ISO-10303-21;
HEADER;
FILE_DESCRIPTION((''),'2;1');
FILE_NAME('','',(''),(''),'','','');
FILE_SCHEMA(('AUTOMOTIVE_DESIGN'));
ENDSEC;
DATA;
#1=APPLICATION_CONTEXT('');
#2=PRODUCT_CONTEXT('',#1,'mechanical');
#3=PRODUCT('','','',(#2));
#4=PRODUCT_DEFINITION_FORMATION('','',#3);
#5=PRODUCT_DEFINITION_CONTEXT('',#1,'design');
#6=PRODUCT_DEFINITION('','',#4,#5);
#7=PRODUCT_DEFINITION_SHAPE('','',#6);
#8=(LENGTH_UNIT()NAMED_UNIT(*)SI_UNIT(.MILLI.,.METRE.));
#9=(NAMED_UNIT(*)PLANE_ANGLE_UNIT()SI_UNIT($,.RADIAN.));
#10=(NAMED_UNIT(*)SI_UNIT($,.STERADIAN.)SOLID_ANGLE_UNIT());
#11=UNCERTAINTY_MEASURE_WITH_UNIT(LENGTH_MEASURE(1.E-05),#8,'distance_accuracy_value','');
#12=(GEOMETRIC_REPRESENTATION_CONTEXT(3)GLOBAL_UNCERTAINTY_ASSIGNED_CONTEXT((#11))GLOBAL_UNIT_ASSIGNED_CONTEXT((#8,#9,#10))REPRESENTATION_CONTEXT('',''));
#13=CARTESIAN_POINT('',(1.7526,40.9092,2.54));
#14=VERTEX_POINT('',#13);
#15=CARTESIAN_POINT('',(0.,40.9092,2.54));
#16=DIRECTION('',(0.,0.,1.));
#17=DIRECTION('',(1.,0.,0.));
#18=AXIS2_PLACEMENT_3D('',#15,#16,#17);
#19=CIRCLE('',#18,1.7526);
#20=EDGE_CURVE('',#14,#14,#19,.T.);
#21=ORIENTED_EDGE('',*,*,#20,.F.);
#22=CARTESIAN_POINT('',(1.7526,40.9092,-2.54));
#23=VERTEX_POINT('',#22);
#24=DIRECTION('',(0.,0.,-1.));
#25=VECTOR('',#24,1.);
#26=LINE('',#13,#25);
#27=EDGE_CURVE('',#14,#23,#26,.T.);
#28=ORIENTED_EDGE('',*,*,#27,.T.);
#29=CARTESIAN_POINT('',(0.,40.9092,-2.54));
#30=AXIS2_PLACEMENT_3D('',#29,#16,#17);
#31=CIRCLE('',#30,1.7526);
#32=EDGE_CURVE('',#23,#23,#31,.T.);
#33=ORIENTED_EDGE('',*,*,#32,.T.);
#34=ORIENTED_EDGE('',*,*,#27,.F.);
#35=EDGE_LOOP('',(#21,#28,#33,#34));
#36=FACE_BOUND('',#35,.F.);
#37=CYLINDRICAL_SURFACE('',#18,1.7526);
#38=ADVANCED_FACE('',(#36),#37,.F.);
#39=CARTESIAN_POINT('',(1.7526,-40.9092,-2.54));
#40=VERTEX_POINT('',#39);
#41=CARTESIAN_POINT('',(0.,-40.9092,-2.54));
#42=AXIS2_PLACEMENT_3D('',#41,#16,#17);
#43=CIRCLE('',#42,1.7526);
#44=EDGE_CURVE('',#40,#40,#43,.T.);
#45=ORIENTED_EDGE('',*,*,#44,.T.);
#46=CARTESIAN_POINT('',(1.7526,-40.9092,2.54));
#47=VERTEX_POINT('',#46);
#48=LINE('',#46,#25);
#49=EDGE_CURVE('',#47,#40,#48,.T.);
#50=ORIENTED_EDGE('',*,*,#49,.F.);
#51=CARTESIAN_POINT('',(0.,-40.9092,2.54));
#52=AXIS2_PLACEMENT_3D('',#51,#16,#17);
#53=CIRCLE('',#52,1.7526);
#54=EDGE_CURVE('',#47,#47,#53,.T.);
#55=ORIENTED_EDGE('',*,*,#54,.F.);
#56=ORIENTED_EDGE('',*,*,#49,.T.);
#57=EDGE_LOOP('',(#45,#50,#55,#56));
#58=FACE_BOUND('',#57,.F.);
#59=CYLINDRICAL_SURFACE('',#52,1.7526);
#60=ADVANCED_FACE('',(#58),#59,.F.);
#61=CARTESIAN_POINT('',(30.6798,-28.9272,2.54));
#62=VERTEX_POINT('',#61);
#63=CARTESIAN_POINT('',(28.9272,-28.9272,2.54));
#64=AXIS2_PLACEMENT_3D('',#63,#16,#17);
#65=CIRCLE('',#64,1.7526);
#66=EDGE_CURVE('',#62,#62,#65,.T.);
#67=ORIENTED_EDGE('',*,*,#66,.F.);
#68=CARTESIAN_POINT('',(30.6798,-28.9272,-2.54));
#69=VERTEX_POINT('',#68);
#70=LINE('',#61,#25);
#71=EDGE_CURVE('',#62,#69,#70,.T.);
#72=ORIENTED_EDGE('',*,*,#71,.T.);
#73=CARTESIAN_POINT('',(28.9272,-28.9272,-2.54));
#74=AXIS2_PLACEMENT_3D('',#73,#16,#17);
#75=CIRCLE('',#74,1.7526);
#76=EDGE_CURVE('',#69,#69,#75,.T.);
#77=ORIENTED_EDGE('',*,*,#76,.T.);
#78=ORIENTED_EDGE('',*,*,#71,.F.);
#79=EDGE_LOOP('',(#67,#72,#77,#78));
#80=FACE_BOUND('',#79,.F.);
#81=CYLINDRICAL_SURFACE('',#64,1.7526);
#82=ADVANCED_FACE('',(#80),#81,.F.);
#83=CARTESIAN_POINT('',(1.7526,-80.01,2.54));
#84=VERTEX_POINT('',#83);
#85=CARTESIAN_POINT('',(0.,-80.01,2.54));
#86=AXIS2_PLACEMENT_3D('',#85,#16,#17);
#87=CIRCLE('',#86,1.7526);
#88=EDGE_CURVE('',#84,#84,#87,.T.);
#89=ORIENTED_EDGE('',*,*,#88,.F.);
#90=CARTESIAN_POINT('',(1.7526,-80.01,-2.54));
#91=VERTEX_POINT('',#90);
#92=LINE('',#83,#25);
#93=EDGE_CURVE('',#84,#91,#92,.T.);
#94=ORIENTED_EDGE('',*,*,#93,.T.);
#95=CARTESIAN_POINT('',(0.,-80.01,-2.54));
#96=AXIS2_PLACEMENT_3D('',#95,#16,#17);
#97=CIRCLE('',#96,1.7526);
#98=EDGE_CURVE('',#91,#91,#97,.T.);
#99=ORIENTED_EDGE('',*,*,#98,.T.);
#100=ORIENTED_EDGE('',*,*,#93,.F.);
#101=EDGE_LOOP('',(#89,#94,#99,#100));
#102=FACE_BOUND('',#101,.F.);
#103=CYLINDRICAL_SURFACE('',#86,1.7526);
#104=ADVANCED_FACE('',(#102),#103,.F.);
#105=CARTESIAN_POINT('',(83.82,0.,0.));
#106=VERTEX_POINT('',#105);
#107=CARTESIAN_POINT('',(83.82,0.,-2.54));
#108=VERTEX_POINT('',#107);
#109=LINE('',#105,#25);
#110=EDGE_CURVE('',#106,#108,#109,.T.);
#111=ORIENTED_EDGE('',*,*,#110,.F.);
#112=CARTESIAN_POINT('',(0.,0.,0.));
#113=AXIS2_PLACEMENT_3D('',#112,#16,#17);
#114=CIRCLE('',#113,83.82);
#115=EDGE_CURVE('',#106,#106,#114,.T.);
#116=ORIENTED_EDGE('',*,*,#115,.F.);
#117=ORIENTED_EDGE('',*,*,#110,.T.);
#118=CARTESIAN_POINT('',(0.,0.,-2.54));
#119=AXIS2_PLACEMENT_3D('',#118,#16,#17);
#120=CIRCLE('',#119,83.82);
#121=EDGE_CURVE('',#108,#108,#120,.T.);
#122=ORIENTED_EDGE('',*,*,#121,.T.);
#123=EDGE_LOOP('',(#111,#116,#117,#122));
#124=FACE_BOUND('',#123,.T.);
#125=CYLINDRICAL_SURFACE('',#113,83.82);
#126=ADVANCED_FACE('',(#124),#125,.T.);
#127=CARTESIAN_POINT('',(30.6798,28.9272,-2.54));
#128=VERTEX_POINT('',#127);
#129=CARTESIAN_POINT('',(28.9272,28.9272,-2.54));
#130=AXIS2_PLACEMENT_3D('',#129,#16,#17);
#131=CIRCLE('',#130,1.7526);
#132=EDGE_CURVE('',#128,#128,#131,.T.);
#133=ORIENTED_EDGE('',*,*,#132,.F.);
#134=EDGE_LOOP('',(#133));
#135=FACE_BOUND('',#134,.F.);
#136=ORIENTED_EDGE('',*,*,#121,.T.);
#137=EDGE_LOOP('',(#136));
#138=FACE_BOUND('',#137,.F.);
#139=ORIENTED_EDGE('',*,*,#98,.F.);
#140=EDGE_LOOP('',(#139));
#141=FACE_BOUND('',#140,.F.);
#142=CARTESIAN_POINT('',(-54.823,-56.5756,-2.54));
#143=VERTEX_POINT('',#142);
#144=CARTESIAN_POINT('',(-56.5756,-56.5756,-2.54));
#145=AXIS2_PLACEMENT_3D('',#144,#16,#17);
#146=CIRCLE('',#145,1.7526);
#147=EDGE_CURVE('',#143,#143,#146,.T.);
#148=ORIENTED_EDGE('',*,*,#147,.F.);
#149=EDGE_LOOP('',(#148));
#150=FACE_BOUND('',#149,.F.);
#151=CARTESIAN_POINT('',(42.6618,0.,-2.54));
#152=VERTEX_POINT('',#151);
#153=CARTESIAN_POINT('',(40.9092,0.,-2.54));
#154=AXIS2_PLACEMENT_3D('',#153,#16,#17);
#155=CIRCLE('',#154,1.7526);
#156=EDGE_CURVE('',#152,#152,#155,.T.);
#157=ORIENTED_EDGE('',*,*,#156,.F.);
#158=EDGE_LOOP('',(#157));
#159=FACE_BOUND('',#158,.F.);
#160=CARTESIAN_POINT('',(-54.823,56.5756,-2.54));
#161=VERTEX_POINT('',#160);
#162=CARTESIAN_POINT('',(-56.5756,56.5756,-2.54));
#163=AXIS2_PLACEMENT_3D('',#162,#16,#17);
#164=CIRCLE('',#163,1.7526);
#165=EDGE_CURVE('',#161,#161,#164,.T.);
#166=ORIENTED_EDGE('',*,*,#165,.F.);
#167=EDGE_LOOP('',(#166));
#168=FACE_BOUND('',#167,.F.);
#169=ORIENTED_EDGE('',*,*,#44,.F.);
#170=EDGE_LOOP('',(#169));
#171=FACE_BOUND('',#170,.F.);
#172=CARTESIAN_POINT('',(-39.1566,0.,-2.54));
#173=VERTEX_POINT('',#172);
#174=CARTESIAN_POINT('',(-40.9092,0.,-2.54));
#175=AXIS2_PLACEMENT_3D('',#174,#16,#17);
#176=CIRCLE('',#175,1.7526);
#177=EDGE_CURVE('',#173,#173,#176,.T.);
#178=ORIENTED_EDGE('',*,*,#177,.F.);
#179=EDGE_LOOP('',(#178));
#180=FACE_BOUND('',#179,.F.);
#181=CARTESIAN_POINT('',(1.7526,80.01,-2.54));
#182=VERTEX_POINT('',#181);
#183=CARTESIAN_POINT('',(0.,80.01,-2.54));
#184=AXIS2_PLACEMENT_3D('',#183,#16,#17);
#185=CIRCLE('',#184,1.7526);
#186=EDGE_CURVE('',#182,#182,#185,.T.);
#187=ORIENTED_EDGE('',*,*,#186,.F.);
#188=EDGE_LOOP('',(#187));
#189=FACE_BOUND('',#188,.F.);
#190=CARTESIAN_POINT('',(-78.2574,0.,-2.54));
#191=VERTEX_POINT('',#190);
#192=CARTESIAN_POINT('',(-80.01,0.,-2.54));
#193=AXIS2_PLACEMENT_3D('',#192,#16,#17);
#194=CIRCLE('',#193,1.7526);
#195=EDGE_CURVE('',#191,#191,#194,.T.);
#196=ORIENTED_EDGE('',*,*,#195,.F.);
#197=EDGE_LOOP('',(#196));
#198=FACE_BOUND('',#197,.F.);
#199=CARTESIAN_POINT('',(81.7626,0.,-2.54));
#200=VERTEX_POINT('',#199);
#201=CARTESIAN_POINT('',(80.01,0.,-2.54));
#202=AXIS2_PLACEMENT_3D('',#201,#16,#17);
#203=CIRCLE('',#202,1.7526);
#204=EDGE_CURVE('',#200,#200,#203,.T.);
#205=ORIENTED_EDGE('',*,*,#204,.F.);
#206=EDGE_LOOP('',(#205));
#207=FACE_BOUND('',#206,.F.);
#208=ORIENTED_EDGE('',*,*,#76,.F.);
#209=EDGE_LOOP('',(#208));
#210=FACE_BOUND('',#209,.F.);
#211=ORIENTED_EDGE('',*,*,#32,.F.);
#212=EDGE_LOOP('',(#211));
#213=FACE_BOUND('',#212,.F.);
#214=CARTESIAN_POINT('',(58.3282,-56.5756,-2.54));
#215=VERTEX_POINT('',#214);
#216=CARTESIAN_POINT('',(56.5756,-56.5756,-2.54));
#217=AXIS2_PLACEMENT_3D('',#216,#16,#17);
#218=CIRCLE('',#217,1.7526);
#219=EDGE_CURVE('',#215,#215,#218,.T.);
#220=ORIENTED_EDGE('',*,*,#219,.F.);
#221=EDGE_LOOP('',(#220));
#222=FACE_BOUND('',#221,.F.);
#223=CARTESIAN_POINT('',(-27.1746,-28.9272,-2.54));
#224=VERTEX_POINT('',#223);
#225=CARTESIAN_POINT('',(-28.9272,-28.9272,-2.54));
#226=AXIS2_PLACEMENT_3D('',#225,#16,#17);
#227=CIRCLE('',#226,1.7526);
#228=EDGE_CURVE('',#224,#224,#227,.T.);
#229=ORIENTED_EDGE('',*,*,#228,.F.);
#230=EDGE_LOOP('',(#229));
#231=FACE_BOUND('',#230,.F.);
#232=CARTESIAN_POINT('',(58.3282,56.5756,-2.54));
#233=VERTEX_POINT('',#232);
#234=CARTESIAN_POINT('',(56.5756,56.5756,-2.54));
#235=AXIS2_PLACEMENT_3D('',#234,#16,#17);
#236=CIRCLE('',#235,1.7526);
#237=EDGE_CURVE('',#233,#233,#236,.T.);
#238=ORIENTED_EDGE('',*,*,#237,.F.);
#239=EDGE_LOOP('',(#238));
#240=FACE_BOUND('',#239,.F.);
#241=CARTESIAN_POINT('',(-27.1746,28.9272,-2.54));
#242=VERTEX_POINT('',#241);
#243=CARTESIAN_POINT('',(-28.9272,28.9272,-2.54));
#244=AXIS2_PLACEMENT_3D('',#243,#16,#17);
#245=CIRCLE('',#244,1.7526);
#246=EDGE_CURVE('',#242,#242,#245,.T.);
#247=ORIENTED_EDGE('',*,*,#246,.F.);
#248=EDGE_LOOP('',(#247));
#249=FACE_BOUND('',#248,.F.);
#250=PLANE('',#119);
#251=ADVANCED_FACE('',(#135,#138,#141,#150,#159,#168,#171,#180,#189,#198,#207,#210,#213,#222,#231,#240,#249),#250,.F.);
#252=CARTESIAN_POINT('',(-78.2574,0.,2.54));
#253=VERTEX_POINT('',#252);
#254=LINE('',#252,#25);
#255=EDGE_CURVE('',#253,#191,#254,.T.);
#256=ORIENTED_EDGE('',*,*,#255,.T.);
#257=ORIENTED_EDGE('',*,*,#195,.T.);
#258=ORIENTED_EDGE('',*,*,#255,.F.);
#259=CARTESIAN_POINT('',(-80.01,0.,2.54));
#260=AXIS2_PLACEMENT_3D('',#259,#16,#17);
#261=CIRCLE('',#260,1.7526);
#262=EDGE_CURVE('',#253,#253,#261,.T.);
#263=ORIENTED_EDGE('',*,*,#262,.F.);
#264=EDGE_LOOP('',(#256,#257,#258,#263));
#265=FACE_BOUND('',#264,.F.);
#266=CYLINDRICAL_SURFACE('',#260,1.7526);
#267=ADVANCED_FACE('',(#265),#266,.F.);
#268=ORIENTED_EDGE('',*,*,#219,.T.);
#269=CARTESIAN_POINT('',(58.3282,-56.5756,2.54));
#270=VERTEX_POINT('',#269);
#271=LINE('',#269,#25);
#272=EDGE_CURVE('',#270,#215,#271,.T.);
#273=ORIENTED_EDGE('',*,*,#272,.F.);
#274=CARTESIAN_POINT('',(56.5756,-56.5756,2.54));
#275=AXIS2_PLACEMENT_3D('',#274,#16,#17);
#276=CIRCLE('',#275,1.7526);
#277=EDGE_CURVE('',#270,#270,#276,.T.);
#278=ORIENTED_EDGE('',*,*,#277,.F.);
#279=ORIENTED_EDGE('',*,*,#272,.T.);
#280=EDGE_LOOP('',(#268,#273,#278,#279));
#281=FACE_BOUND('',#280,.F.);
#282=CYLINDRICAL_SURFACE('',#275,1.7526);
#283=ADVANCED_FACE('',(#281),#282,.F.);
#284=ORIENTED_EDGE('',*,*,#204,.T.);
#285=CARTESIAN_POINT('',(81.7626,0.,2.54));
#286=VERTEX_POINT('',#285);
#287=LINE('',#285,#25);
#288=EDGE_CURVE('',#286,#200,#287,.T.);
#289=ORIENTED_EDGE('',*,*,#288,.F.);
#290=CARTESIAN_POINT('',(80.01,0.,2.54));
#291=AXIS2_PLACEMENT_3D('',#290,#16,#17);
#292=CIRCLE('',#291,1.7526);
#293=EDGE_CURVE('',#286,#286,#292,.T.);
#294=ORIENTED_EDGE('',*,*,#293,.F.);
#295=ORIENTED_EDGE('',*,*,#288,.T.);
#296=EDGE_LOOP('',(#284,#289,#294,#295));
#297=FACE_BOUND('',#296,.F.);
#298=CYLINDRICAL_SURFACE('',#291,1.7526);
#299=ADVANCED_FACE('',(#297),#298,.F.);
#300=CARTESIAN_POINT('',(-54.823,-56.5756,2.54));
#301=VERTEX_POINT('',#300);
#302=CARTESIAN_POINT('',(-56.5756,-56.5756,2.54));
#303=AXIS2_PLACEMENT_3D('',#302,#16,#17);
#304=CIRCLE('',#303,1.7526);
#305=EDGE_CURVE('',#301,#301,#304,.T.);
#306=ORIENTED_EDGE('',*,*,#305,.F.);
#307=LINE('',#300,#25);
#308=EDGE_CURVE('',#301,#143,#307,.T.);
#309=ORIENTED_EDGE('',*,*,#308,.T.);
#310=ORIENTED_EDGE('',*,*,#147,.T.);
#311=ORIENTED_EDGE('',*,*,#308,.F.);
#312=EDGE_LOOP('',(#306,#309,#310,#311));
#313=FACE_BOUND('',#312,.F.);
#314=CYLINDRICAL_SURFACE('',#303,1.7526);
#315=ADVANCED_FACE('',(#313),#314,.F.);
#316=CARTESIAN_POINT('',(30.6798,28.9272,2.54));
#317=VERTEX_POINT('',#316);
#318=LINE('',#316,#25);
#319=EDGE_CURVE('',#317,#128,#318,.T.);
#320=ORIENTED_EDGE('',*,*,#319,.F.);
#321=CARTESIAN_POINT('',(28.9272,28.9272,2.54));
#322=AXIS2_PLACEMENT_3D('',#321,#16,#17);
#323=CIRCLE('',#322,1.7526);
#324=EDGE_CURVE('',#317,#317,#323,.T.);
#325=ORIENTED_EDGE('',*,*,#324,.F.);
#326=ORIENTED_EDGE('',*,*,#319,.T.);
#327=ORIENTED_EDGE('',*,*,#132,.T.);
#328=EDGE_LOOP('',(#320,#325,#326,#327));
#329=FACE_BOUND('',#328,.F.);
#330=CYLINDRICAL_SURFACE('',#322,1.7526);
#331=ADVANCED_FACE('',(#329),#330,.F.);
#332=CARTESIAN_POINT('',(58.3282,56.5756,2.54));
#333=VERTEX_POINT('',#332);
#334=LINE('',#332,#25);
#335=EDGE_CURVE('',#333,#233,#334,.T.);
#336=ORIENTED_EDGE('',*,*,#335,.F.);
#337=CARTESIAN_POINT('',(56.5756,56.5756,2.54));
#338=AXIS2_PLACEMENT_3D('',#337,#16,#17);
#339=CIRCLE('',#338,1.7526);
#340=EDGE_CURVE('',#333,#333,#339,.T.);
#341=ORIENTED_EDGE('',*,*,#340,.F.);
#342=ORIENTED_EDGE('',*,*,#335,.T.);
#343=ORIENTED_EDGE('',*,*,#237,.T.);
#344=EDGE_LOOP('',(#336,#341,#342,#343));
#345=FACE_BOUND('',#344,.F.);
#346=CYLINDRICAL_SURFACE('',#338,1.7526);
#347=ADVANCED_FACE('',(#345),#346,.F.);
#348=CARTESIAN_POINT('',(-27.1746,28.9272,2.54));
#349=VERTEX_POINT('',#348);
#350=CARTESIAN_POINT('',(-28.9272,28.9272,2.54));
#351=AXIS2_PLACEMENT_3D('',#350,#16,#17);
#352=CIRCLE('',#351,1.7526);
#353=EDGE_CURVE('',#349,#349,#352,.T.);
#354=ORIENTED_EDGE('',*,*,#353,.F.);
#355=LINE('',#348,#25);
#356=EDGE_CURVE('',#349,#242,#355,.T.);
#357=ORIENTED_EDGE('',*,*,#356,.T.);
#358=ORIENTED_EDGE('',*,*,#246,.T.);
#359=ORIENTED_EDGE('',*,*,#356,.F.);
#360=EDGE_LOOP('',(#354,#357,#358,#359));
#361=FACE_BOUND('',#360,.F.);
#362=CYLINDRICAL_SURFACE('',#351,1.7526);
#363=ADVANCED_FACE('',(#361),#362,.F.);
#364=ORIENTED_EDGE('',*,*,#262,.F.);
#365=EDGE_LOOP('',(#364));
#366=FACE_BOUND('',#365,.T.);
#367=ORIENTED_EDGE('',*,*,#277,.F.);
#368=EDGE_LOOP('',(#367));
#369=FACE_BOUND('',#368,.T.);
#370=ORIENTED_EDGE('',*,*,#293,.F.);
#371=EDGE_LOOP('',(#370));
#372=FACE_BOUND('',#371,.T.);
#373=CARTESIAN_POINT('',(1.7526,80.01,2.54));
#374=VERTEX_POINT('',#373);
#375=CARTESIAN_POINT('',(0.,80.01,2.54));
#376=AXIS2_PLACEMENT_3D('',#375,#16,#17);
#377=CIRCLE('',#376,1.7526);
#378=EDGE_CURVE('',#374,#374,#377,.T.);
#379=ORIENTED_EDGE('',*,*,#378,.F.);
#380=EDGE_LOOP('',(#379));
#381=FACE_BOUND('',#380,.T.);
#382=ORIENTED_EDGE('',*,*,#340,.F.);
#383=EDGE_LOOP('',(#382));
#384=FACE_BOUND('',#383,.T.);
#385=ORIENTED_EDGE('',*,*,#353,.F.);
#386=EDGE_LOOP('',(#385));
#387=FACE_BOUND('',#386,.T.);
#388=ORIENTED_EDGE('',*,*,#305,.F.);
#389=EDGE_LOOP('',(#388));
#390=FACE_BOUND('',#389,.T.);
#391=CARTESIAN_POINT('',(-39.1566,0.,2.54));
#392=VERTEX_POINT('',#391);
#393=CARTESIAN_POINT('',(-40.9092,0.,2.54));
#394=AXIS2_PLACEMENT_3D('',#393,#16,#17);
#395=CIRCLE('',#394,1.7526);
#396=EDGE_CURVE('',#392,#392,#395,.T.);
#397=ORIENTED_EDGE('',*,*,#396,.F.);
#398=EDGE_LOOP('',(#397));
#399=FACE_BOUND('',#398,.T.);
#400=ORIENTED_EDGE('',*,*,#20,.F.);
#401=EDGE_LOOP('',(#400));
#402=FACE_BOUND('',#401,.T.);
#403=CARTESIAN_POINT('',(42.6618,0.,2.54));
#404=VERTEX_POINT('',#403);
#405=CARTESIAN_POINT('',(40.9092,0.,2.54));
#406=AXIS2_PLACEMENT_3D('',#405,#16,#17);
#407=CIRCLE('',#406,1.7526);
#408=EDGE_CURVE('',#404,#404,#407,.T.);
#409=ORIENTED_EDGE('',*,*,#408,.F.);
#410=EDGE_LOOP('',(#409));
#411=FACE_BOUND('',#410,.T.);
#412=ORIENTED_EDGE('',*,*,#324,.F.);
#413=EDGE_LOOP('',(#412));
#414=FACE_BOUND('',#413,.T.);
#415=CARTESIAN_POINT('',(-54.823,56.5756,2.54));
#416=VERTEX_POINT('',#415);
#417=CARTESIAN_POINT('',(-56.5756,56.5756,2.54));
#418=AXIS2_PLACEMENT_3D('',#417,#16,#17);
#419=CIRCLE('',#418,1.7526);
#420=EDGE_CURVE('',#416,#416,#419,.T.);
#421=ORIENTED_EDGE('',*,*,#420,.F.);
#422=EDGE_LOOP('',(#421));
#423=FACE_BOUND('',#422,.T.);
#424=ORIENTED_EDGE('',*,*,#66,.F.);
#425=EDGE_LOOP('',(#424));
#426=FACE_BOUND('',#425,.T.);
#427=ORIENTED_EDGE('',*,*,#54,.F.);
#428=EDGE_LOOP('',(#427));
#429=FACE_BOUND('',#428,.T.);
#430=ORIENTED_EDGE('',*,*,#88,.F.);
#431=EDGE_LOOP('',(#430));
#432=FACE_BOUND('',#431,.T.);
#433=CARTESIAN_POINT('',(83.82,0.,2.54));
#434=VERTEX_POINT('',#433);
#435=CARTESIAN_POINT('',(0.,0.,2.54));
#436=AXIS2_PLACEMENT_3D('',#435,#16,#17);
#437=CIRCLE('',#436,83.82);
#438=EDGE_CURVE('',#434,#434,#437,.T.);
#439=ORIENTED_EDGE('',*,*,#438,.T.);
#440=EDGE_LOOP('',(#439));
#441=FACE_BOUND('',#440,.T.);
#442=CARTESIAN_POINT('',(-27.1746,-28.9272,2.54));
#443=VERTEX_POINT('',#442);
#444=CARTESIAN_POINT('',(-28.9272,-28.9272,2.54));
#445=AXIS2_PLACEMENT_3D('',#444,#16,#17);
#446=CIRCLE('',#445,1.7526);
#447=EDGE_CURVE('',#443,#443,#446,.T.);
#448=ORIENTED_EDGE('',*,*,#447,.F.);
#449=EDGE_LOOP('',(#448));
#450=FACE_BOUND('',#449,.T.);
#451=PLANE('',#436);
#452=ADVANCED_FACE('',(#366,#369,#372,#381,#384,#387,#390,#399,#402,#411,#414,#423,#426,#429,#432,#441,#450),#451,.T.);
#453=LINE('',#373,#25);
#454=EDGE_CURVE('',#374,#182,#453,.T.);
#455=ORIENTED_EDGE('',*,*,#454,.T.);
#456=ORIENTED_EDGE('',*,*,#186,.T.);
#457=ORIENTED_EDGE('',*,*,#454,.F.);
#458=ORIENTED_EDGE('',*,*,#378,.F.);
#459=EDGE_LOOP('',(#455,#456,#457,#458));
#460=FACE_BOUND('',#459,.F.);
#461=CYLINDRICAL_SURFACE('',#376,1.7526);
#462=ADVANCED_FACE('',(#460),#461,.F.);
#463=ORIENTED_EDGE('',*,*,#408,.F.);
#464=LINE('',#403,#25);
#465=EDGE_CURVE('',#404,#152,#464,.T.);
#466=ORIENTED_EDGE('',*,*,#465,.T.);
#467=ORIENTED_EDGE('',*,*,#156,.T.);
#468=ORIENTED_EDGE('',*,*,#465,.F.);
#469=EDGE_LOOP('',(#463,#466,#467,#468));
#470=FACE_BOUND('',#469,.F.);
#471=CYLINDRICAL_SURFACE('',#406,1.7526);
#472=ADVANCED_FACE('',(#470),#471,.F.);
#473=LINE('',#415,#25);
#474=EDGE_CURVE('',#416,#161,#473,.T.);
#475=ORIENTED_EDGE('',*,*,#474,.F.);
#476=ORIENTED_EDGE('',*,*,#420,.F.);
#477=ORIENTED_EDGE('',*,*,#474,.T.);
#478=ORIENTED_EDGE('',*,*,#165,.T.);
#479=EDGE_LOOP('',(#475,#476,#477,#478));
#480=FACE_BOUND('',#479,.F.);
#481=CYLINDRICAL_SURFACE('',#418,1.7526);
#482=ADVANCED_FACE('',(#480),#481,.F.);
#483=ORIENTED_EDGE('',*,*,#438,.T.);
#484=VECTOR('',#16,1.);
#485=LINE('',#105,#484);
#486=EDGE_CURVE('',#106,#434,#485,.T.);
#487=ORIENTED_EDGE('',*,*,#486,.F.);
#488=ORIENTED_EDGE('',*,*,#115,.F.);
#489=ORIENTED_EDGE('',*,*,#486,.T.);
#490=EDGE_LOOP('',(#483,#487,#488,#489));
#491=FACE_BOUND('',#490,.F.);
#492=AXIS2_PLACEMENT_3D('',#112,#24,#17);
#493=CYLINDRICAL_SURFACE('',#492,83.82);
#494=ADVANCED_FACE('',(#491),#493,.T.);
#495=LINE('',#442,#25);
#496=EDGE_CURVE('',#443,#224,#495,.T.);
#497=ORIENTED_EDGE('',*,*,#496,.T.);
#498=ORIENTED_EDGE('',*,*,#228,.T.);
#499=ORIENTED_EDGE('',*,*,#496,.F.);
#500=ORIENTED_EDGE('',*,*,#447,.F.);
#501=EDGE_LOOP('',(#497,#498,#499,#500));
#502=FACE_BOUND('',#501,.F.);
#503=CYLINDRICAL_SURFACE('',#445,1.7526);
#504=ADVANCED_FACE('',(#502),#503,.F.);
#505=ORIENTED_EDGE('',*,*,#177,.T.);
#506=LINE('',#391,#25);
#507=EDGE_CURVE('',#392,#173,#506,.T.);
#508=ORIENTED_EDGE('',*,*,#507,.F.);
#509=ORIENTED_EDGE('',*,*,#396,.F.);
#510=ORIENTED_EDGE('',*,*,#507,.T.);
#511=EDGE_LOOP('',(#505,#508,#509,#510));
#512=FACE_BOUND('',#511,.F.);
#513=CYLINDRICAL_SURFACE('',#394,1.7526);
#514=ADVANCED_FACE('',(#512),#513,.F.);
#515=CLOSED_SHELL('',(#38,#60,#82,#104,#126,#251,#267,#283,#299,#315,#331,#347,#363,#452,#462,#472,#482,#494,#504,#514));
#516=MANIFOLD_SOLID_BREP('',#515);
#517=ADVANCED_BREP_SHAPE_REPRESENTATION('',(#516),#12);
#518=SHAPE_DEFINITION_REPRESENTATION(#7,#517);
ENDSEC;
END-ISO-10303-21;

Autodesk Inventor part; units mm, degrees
ref_plane "YZ Plane" through (0, 0, 0) normal (1, 0, 0) x (0, 1, 0)
ref_plane "XZ Plane" through (0, 0, 0) normal (0, 1, 0) x (-1, 0, 0)
ref_plane "XY Plane" through (0, 0, 0) normal (0, 0, 1) x (1, 0, 0)
sketch "Sketch1" plane through (0, 0, 0) normal (0, 0, 1) x (1, 0, 0)
  circle A0 centre (0, 0) radius 83.82
  dimension "d0" = 167.64
extrude "Extrusion1" add sketch "Sketch1" along normal mid plane 5.08
sketch "Sketch2" plane through (0, 0, 2.54) normal (0, 0, 1) x (1, 0, 0)
  circle A0 centre (0, 80.01) radius 1.7526
  circle A1 centre (-56.5756, 56.5756) radius 1.7526
  circle A2 centre (-80.01, 0) radius 1.7526
  circle A3 centre (-56.5756, -56.5756) radius 1.7526
  circle A4 centre (0, -80.01) radius 1.7526
  circle A5 centre (56.5756, -56.5756) radius 1.7526
  circle A6 centre (80.01, 0) radius 1.7526
  circle A7 centre (56.5756, 56.5756) radius 1.7526
  point P0 (0, 0)
  dimension "d3" = 3.5052
  dimension "d6" = 360
extrude "Extrusion2" cut sketch "Sketch2" against normal through all
sketch "Sketch3" plane through (0, 0, 2.54) normal (0, 0, 1) x (1, 0, 0)
  circle A0 centre (0, 40.9092) radius 1.7526
  circle A1 centre (-28.9272, 28.9272) radius 1.7526
  circle A2 centre (28.9272, 28.9272) radius 1.7526
  circle A3 centre (-40.9092, 0) radius 1.7526
  circle A4 centre (40.9092, 0) radius 1.7526
  circle A5 centre (0, -40.9092) radius 1.7526
  circle A6 centre (-28.9272, -28.9272) radius 1.7526
  circle A7 centre (28.9272, -28.9272) radius 1.7526
  point P0 (0, 0)
  point P1 (0, 0)
  point P2 (-37.0992, 0)
  dimension "d12" = 3.5052
  dimension "d16" = 45
  dimension "d20" = 45
  dimension "d24" = 45
  dimension "d28" = 45
extrude "Extrusion3" cut sketch "Sketch3" against normal through all
properties part number "EndCap"
